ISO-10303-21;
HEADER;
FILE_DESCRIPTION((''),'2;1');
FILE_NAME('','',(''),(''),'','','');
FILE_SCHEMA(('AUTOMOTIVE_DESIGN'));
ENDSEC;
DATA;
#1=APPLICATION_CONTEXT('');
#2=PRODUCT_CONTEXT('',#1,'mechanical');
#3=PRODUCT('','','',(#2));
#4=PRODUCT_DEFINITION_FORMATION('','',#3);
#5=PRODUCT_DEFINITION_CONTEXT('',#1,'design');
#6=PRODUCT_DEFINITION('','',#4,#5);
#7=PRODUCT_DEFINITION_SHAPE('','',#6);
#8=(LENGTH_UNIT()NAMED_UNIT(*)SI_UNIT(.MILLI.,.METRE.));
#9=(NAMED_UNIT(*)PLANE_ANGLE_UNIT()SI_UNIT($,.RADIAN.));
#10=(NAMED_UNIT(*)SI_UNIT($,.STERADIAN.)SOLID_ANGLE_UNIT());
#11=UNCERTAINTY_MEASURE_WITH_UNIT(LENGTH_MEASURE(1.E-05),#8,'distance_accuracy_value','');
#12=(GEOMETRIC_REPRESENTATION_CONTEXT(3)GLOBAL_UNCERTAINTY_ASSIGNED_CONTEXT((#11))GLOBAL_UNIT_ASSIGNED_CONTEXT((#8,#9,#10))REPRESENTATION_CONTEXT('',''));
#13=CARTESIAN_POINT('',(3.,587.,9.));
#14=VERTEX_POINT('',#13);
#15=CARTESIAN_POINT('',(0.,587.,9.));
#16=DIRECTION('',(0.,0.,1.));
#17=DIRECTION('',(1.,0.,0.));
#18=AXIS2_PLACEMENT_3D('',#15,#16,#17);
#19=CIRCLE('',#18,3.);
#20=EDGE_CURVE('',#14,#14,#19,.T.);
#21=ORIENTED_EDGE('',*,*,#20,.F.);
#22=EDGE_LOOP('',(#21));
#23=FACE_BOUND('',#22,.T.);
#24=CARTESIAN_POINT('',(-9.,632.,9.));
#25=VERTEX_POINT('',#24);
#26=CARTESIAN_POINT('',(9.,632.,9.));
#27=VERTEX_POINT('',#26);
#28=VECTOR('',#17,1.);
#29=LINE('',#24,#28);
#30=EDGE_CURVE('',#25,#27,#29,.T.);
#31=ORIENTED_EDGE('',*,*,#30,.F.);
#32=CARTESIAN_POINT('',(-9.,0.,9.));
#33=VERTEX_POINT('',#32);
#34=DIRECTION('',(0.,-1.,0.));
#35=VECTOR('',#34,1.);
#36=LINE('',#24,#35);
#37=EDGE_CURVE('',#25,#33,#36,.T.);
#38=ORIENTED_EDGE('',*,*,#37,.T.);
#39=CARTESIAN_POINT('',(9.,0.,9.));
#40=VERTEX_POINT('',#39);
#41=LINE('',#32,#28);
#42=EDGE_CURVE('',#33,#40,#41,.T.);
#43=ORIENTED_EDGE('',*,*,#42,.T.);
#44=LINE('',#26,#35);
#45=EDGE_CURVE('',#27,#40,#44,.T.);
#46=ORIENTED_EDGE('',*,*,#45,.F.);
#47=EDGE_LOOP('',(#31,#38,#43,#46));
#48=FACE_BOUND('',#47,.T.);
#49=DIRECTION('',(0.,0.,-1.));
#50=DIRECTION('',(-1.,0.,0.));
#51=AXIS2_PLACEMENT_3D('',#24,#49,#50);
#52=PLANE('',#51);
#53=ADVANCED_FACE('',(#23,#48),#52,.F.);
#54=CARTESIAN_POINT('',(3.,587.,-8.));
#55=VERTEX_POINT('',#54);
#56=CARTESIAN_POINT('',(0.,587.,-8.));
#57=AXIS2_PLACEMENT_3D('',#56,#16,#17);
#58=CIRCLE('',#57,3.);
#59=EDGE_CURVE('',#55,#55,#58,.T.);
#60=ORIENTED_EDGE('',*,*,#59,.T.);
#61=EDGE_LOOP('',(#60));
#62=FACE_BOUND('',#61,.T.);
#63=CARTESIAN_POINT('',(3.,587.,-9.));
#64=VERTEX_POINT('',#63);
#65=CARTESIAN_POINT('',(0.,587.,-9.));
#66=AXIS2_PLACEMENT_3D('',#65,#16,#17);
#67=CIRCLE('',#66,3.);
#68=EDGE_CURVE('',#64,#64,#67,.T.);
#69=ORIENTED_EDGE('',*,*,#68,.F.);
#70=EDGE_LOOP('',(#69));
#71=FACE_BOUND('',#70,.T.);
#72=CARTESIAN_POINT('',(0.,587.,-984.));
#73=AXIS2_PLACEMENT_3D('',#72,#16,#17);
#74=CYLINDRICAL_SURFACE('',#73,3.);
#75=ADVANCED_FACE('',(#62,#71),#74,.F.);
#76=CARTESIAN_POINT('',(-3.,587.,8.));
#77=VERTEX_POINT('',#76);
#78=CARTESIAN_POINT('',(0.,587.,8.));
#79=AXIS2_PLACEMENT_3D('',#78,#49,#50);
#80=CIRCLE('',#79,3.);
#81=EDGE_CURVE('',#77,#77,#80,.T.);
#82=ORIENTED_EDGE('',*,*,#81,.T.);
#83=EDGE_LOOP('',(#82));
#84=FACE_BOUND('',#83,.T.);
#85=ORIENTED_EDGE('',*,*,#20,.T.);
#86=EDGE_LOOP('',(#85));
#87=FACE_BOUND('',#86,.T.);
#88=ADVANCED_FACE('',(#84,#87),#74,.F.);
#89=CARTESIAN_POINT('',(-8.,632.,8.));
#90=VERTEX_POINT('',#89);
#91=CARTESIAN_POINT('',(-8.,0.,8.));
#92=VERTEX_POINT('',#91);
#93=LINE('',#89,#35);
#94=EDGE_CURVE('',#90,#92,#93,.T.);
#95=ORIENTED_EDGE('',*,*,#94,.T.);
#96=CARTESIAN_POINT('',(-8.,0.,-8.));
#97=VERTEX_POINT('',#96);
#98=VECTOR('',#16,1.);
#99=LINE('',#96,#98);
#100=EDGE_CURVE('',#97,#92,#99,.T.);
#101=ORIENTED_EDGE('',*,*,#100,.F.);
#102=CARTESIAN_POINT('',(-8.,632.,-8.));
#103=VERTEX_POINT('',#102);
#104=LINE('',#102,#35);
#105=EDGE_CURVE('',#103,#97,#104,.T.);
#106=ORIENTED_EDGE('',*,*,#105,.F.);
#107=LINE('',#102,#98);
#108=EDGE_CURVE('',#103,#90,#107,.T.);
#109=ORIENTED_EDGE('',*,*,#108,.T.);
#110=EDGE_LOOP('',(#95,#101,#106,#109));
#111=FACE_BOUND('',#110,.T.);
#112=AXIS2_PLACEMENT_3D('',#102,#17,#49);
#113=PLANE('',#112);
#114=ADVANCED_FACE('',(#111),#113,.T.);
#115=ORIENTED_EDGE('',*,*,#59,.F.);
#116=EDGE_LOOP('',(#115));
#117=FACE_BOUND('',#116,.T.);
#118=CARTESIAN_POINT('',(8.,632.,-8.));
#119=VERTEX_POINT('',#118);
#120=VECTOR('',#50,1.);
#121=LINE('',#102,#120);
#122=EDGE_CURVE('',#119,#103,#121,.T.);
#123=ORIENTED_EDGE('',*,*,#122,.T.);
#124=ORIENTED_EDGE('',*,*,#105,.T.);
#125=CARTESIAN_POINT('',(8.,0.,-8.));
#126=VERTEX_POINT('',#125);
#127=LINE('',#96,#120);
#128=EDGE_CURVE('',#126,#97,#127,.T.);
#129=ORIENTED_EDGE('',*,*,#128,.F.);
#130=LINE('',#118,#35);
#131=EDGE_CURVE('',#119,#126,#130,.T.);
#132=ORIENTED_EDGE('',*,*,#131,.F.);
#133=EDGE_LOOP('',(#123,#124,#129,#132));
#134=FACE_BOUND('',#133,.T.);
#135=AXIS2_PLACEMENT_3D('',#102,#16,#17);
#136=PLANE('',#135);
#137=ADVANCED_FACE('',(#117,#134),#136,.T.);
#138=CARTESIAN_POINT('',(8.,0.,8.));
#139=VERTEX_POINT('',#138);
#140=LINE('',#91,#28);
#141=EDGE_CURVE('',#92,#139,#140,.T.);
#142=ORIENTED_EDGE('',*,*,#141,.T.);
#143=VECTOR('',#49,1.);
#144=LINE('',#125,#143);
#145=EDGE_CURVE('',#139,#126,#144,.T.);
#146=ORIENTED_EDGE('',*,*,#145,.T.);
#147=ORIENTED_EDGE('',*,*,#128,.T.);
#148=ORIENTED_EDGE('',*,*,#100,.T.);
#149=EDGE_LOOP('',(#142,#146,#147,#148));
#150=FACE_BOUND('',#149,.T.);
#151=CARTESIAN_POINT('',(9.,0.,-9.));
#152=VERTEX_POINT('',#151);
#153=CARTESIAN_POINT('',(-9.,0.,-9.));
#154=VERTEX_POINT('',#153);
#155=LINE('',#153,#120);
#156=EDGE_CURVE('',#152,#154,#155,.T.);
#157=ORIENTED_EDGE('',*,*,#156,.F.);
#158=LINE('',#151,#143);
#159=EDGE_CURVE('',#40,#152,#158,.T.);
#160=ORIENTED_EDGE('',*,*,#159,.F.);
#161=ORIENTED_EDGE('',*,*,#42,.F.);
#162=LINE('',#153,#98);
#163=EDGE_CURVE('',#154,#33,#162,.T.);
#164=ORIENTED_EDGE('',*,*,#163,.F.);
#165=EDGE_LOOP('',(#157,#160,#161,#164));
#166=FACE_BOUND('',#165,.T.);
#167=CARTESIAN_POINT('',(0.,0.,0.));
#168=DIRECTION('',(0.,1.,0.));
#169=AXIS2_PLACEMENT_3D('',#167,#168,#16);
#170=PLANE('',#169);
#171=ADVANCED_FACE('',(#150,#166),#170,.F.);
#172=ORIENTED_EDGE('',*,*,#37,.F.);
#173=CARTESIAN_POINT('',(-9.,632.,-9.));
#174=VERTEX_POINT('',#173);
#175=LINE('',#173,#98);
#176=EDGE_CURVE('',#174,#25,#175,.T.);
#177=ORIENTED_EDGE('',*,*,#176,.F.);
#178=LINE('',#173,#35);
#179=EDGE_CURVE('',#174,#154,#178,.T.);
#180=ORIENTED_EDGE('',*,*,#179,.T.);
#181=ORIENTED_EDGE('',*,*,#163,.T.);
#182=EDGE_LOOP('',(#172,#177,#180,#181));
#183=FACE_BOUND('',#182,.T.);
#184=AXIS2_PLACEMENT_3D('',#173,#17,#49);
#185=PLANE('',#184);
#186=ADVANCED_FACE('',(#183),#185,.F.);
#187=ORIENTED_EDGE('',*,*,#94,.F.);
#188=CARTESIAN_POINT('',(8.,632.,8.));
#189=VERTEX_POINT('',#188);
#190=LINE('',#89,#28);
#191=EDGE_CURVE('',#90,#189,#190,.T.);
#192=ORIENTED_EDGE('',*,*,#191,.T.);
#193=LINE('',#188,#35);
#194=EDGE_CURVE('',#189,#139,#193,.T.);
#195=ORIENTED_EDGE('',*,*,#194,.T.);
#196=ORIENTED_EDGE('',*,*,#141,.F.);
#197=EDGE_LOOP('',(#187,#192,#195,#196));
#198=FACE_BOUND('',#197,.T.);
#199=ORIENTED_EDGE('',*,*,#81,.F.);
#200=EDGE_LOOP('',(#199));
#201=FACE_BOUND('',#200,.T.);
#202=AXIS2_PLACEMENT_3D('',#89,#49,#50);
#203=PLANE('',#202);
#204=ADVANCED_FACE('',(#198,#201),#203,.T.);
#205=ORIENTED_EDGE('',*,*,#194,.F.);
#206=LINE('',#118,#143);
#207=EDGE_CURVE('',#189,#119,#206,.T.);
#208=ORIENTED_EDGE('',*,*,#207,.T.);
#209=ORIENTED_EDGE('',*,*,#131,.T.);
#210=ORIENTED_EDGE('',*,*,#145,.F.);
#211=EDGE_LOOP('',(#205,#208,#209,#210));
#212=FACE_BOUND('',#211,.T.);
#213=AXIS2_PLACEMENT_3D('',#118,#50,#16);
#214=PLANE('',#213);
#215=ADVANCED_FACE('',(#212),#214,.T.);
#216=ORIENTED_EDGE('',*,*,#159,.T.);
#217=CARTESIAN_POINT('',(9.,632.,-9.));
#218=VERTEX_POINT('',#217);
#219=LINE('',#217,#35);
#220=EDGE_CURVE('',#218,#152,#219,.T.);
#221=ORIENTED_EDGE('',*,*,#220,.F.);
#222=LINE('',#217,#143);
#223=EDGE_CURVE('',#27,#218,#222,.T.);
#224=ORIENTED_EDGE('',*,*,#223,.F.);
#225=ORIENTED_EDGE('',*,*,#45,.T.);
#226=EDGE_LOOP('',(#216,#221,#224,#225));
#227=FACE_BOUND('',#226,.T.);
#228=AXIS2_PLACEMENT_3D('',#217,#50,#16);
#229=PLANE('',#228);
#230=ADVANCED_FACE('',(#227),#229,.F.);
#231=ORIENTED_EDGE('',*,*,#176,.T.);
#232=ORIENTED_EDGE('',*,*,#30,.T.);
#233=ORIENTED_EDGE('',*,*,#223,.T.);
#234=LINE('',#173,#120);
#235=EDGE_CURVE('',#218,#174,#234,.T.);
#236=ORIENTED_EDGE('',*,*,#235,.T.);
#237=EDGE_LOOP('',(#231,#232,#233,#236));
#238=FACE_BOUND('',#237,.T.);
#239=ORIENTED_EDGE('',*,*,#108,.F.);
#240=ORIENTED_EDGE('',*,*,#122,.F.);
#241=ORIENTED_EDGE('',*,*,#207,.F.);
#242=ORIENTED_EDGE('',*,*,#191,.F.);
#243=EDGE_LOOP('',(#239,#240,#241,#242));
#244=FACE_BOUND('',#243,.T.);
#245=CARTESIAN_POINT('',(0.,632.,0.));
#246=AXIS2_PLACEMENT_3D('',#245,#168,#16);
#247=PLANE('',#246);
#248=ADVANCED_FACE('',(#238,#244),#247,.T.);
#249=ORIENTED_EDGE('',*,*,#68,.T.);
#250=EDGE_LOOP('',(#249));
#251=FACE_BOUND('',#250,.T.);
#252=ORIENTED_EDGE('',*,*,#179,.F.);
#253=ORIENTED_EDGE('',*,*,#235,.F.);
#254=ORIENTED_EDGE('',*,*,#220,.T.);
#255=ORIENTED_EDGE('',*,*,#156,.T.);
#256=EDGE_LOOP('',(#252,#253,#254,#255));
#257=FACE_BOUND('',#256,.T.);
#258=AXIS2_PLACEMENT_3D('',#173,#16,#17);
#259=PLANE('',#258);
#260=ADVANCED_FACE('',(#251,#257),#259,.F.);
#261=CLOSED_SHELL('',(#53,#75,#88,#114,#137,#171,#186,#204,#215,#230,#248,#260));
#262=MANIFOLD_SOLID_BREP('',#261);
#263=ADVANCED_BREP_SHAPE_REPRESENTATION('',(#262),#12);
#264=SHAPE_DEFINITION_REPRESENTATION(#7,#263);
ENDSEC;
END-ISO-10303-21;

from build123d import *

# Parameters (mm, degrees)
SKETCH1_W           = 18
SKETCH1_H           = 18
SKETCH1_W_2         = 16
SKETCH1_H_2         = 16
BOSS_EXTRUDE1_DEPTH = 632
SKETCH2_R           = 3
CUT_EXTRUDE1_DEPTH  = 993


with BuildPart() as part:
    # Sketch1 → Boss-Extrude1 (new body)
    with BuildSketch(Plane(origin=(0, 0, 0), x_dir=(1, 0, 0), z_dir=(0, 1, 0))):
        Rectangle(SKETCH1_W, SKETCH1_H)
        Rectangle(SKETCH1_W_2, SKETCH1_H_2, mode=Mode.SUBTRACT)
    extrude(amount=BOSS_EXTRUDE1_DEPTH)

    # Sketch2 → Cut-Extrude1 (cut)
    with BuildSketch(Plane.XY.offset(9)):
        with Locations((0, 587)):
            Circle(SKETCH2_R)
    extrude(amount=-CUT_EXTRUDE1_DEPTH, mode=Mode.SUBTRACT)


solid = part.part
